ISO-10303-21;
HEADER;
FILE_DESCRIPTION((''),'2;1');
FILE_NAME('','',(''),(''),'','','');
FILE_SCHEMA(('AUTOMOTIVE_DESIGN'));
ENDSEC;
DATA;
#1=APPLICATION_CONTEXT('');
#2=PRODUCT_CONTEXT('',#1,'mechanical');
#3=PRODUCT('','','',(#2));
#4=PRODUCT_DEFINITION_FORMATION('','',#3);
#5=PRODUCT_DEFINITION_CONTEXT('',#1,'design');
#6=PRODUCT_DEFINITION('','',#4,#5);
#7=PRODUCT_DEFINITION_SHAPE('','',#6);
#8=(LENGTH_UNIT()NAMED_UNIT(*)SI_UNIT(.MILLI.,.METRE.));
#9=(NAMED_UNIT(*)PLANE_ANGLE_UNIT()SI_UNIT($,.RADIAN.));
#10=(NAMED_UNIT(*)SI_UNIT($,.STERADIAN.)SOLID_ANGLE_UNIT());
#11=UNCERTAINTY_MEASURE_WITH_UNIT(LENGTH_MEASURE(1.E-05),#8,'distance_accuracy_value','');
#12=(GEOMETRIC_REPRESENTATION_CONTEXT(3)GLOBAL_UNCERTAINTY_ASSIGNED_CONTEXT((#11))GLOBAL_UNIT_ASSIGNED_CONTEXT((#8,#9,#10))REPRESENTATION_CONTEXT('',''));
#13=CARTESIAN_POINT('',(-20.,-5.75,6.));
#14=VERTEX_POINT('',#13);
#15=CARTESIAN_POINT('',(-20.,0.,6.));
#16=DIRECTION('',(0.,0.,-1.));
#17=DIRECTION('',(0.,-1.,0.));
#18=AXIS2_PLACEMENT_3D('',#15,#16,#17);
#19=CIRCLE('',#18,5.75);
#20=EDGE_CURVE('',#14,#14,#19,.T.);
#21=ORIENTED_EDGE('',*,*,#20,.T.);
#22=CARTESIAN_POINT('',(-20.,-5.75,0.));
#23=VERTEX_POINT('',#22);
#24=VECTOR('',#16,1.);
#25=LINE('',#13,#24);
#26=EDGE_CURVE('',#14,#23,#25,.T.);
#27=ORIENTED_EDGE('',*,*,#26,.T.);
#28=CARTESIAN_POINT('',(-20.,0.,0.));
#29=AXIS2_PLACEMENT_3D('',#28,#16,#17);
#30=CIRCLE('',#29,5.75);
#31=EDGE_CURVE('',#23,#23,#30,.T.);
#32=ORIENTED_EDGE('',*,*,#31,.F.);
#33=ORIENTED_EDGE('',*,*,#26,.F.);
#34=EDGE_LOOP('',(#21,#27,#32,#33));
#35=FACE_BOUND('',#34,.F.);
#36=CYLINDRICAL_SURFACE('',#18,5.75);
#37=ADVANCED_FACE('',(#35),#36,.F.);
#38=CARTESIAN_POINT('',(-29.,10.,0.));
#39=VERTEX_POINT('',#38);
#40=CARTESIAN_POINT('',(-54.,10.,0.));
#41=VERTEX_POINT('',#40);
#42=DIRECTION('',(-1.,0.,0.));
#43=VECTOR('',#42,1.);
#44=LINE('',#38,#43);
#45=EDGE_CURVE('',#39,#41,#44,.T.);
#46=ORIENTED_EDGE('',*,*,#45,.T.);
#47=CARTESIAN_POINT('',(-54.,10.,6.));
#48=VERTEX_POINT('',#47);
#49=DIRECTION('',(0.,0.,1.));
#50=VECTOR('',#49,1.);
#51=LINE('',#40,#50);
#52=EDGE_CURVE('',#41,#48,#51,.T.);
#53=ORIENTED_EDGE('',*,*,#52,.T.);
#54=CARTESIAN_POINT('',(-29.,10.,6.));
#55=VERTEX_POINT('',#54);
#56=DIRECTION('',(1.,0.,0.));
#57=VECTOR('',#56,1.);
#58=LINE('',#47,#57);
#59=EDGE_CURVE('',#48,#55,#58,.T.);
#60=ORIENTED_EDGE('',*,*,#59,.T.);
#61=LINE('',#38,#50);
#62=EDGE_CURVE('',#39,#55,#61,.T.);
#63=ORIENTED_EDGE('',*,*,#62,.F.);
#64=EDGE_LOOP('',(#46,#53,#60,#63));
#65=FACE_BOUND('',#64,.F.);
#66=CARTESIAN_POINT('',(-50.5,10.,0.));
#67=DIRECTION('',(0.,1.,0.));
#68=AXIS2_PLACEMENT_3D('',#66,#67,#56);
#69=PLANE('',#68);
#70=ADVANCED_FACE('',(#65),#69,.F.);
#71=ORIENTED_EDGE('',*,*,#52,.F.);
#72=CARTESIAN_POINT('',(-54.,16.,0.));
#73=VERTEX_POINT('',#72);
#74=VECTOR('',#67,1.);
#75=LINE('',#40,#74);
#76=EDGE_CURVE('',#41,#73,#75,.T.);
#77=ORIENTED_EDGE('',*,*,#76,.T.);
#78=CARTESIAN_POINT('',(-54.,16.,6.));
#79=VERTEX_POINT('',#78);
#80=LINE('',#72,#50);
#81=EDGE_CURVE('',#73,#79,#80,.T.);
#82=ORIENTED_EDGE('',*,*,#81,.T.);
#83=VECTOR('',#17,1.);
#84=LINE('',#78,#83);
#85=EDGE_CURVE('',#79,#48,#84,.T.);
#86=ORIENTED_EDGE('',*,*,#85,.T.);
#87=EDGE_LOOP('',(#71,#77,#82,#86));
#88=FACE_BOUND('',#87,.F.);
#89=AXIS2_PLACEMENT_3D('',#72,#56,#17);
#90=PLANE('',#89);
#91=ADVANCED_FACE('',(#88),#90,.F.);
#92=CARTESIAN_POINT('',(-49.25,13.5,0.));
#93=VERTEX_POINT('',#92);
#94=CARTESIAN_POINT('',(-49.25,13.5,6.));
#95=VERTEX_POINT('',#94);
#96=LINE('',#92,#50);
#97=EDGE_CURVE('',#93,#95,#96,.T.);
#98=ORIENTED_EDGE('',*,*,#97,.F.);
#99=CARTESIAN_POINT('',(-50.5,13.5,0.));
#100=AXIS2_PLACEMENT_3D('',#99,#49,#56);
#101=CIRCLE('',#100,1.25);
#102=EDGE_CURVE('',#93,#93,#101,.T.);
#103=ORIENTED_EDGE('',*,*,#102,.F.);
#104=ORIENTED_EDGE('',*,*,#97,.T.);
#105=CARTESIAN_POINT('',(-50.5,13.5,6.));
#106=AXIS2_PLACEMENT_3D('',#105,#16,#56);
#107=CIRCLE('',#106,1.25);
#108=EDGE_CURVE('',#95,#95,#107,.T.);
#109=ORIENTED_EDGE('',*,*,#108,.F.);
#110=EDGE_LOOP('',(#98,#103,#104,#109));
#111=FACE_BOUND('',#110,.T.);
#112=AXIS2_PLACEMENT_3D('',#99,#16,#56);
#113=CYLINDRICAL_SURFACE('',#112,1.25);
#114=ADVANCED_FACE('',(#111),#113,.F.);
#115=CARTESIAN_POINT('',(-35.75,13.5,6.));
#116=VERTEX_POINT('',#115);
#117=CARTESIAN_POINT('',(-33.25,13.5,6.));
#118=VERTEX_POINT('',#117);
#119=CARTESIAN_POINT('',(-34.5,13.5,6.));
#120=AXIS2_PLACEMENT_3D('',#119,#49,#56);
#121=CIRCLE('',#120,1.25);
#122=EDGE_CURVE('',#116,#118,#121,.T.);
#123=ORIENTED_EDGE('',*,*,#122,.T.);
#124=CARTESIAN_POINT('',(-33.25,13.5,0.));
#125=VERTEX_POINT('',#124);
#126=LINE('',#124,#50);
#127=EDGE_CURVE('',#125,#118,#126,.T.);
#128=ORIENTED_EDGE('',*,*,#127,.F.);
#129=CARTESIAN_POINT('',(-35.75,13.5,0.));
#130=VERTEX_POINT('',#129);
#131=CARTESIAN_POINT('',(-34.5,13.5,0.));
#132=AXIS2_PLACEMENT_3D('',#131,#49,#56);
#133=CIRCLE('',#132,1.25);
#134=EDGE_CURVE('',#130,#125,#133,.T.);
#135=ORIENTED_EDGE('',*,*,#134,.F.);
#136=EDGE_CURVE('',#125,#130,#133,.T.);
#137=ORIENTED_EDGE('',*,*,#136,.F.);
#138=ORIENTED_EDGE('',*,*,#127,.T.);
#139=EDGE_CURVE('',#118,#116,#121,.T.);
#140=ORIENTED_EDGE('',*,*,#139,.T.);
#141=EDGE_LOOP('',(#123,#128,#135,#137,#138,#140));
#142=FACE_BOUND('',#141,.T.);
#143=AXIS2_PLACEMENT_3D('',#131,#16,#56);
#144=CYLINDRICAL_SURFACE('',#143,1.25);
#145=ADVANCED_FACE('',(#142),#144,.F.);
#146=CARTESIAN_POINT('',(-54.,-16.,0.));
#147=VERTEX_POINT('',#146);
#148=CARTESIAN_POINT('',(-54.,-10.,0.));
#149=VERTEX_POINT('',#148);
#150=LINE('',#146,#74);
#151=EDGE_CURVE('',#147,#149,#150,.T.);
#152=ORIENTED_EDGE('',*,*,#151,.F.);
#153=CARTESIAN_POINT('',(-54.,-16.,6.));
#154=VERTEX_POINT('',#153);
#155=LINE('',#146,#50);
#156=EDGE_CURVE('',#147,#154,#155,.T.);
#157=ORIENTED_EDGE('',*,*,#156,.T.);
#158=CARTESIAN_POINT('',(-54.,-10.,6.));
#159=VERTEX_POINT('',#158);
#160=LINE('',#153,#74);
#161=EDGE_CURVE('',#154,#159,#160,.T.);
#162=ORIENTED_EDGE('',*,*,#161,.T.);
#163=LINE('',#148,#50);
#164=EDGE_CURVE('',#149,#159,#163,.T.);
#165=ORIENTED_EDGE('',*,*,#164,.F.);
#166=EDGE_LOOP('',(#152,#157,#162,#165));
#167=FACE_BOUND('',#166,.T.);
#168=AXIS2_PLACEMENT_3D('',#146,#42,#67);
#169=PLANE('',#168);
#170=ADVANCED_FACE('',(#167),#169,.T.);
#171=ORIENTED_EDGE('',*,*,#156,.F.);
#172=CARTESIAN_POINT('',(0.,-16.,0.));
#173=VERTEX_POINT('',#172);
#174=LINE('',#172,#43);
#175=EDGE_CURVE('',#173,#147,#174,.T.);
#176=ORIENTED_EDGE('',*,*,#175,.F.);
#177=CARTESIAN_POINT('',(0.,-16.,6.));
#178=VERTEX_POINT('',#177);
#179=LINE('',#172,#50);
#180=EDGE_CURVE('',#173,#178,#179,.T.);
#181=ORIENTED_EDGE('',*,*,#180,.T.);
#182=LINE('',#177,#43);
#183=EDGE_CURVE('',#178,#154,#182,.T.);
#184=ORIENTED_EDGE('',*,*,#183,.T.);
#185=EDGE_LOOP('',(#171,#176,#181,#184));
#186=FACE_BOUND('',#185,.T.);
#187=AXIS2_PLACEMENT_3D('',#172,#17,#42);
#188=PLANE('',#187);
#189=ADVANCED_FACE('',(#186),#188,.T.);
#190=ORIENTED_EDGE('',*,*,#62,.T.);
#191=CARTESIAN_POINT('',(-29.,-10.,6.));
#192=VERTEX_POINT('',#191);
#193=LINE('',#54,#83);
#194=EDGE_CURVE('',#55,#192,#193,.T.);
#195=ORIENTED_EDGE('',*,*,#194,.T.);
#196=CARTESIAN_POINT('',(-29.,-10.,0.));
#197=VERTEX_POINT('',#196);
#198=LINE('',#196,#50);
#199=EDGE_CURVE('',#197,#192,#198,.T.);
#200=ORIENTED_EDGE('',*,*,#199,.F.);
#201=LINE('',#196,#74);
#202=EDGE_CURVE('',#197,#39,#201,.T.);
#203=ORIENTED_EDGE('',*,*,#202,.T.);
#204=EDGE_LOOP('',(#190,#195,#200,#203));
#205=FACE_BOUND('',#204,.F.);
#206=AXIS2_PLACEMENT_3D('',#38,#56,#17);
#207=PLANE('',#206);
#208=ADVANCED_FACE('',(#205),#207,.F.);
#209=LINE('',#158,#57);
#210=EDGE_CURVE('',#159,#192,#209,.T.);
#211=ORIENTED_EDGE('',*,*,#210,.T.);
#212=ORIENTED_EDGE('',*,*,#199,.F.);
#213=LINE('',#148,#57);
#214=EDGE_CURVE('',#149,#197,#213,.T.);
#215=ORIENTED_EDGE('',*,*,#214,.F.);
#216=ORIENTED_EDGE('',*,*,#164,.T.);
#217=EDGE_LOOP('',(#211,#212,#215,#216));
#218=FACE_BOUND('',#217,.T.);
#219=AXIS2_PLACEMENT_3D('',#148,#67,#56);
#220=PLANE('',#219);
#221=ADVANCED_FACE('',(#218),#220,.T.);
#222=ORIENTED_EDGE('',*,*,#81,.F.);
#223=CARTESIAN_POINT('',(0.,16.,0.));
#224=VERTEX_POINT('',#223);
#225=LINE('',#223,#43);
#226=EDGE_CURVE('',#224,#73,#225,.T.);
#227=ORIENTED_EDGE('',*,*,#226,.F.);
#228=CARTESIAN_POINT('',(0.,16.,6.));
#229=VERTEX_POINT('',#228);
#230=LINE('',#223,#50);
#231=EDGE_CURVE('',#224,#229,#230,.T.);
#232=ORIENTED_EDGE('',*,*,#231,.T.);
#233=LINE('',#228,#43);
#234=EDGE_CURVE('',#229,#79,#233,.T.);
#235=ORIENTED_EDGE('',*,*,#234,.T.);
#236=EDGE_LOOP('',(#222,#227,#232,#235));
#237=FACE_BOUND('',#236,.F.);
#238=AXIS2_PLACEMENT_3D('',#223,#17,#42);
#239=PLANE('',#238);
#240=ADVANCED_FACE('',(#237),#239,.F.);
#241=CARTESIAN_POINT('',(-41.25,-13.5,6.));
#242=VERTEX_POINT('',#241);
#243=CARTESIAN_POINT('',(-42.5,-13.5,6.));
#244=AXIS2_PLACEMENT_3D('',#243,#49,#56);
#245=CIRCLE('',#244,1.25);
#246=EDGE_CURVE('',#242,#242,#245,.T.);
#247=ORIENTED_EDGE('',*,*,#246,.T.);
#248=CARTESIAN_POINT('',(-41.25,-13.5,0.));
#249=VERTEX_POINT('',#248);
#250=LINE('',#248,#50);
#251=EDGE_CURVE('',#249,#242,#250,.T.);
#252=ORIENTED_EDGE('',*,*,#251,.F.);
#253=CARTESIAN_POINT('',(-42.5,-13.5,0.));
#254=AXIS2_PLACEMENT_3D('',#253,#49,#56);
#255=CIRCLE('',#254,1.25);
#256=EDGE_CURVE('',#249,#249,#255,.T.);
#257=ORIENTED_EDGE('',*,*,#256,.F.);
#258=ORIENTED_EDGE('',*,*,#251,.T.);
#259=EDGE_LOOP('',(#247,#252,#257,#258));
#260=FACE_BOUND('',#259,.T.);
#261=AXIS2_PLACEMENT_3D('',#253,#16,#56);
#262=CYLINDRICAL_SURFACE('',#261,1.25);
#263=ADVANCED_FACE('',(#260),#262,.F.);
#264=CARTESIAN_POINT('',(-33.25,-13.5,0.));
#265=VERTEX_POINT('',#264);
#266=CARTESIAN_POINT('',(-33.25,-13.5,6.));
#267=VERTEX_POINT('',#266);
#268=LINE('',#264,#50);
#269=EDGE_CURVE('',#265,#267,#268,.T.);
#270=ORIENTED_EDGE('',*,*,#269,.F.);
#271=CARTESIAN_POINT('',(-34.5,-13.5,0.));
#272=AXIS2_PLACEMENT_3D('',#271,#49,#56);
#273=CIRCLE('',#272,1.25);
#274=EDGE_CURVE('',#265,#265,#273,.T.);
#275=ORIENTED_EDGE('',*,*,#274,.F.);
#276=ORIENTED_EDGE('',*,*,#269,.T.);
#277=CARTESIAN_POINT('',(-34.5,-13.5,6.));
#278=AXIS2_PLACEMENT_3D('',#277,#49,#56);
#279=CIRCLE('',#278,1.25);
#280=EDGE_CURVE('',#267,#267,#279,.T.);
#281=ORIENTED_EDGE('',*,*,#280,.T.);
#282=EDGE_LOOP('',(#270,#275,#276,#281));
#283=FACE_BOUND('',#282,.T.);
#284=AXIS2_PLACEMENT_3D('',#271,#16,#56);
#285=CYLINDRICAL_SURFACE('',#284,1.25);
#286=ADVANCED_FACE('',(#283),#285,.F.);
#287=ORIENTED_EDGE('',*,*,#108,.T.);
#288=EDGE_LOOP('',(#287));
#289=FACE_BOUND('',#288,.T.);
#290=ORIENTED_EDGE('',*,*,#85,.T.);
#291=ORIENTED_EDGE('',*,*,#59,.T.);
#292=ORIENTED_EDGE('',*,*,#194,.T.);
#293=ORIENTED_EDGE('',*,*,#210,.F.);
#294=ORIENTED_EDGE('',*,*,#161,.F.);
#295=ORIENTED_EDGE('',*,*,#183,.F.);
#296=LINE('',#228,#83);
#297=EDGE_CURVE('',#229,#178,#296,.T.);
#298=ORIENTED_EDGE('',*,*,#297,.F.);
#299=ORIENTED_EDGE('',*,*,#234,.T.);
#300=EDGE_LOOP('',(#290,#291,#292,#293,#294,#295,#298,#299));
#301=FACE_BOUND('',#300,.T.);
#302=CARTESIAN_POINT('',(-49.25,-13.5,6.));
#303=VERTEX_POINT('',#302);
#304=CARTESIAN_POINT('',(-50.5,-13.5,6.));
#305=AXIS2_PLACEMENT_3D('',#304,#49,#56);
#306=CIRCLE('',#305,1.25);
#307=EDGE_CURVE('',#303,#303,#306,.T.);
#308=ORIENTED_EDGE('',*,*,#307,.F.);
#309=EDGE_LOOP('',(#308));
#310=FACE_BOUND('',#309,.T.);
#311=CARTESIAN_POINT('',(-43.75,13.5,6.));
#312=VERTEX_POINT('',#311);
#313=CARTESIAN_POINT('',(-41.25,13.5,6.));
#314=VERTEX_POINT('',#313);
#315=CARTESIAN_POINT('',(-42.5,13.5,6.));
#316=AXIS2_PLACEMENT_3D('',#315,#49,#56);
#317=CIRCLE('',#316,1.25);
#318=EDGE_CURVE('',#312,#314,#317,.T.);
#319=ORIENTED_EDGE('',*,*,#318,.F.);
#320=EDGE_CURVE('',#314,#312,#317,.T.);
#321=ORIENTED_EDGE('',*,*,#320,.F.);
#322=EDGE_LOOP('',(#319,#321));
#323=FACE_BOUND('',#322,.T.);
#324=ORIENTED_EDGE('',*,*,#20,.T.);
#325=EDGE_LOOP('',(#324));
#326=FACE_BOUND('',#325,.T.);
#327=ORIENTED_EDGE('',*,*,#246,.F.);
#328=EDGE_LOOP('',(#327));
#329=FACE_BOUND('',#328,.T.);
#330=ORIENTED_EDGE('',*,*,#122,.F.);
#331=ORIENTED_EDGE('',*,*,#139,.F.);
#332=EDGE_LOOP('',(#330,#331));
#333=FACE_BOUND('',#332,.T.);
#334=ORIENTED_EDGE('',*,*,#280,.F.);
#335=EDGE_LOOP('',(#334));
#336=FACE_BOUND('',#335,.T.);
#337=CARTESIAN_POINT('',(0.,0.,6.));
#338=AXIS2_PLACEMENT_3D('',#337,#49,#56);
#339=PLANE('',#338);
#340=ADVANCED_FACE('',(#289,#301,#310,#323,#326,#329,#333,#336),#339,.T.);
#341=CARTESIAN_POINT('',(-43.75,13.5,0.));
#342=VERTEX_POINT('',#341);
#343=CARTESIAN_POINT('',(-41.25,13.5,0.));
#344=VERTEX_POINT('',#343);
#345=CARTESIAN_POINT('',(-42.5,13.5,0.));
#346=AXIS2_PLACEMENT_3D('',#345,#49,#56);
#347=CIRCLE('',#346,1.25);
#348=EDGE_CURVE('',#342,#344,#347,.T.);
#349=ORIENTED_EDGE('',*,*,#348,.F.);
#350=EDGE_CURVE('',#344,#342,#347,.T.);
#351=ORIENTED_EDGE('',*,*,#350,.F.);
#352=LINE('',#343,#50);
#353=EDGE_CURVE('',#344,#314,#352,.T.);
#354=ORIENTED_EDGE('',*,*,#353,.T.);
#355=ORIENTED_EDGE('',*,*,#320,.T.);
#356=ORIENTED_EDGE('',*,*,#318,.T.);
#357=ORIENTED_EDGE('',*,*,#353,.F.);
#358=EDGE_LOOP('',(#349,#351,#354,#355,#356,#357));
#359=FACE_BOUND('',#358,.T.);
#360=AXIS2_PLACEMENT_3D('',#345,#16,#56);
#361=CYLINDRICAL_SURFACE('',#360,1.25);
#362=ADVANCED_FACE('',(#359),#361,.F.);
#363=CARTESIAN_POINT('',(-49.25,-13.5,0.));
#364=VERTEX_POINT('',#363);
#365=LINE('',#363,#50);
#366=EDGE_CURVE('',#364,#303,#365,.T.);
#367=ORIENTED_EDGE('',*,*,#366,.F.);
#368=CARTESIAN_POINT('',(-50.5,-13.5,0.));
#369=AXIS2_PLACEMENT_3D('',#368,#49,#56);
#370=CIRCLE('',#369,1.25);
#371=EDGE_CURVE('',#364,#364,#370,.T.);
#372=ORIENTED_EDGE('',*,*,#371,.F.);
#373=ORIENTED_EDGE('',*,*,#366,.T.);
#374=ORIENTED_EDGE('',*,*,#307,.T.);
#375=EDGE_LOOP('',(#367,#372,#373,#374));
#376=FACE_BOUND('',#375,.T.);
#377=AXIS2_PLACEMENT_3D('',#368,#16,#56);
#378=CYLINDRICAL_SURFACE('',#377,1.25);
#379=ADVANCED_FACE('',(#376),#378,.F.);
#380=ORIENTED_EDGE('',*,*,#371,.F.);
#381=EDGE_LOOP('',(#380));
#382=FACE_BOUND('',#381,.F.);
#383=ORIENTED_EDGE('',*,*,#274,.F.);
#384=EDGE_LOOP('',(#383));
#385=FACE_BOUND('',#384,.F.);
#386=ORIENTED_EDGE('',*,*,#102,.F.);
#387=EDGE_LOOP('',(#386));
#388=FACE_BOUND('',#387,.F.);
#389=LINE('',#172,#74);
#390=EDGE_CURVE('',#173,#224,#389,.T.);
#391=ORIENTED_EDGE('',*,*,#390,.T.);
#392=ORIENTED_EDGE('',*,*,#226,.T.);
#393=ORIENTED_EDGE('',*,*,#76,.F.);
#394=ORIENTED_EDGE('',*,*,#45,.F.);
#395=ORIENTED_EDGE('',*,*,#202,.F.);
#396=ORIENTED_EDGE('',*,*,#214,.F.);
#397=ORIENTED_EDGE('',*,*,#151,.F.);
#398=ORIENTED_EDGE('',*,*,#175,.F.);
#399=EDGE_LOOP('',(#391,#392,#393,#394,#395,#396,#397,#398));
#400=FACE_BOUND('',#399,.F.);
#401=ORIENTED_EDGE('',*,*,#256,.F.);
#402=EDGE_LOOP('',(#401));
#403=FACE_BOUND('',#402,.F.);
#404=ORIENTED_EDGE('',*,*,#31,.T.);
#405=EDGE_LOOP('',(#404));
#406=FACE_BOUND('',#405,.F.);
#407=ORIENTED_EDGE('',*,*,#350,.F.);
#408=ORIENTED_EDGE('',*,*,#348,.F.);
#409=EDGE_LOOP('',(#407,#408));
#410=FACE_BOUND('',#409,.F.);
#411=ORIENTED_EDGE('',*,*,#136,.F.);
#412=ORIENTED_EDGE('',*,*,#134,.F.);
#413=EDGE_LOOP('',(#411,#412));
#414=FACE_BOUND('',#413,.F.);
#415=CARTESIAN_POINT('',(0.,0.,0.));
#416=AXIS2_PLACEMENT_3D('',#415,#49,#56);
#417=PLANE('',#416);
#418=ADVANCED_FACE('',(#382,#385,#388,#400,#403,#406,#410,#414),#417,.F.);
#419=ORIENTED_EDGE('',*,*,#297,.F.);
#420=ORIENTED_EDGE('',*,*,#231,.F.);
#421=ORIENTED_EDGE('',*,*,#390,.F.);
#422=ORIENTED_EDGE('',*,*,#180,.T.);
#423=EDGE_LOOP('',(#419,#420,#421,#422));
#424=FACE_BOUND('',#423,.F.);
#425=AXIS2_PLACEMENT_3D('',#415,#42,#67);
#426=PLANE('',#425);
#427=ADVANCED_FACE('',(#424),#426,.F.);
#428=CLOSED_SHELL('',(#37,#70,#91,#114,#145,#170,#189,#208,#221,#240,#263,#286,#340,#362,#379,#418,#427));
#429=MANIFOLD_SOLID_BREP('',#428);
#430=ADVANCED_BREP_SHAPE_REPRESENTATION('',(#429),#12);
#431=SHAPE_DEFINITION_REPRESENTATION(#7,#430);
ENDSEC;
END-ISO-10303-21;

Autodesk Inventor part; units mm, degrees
ref_plane "YZ Plane" through (0, 0, 0) normal (1, 0, 0) x (0, 1, 0)
ref_plane "XZ Plane" through (0, 0, 0) normal (0, 1, 0) x (-1, 0, 0)
ref_plane "XY Plane" through (0, 0, 0) normal (0, 0, 1) x (1, 0, 0)
sketch "Boceto1" plane through (0, 0, 0) normal (0, 0, 1) x (1, 0, 0)
  line L0 (0, 0) -> (0, 16)
  line L1 (0, 16) -> (-54, 16)
  line L2 (-54, 16) -> (-54, 10)
  line L3 (-54, 10) -> (-29, 10)
  line L4 (0, 0) -> (-39.6047, 0)
  line L5 (-29, 10) -> (-29, 0)
  line L6 (-54, 13.5) -> (-50.5, 13.5)
  line L7 (-50.5, 13.5) -> (-50.5, 10)
  circle A0 centre (-50.5, 13.5) radius 1.25
  line L8 (-50.5, 13.5) -> (-42.5, 13.5)
  line L9 (-42.5, 13.5) -> (-34.5, 13.5)
  circle A1 centre (-42.5, 13.5) radius 1.25
  circle A2 centre (-34.5, 13.5) radius 1.25
  line L10 (0, 0) -> (0, -16)
  line L11 (0, -16) -> (-54, -16)
  line L12 (-54, -16) -> (-54, -10)
  line L13 (-54, -10) -> (-29, -10)
  line L14 (-29, -10) -> (-29, 0)
  circle A3 centre (-50.5, -13.5) radius 1.25
  circle A4 centre (-42.5, -13.5) radius 1.25
  circle A5 centre (-34.5, -13.5) radius 1.25
  point P0 (-54, -13.5)
  point P1 (-50.5, 12.25)
  point P2 (-51.75, 13.5)
  dimension "d0" = 10
  dimension "d1" = 25
  dimension "d2" = 6
  dimension "d3" = 54
  dimension "d4" = 3.5
  dimension "d5" = 3.5
  dimension "d6" = 2.5
  dimension "d7" = 8
  dimension "d8" = 8
  dimension "d9" = 2.5
  dimension "d10" = 2.5
extrude "Extrusión1" add sketch "Boceto1" along normal blind 6 contours L4 L5 L3 L7 A0 L6 L2 L1 L0 | L10 L11 L12 L13 L14 L4 | L6 A0 L7 L3 L2
sketch "Boceto2" plane through (0, 0, 6) normal (0, 0, 1) x (1, 0, 0)
  circle A0 centre (-50.5, 13.5) radius 1.25 projected
  line L0 (-50.5, 13.5) -> (-20, 13.5)
  line L1 (-54, 10) -> (-29, 10) projected
  line L2 (-20, 13.5) -> (-20, 0)
  point P0 (0, 0)
  dimension "d13" = 30.5
hole "Agujero1" at (-20, 0, 6) direction (0, 0, -1) diameter 11.5 end through all
properties part number "Sopoter_gripperM"
